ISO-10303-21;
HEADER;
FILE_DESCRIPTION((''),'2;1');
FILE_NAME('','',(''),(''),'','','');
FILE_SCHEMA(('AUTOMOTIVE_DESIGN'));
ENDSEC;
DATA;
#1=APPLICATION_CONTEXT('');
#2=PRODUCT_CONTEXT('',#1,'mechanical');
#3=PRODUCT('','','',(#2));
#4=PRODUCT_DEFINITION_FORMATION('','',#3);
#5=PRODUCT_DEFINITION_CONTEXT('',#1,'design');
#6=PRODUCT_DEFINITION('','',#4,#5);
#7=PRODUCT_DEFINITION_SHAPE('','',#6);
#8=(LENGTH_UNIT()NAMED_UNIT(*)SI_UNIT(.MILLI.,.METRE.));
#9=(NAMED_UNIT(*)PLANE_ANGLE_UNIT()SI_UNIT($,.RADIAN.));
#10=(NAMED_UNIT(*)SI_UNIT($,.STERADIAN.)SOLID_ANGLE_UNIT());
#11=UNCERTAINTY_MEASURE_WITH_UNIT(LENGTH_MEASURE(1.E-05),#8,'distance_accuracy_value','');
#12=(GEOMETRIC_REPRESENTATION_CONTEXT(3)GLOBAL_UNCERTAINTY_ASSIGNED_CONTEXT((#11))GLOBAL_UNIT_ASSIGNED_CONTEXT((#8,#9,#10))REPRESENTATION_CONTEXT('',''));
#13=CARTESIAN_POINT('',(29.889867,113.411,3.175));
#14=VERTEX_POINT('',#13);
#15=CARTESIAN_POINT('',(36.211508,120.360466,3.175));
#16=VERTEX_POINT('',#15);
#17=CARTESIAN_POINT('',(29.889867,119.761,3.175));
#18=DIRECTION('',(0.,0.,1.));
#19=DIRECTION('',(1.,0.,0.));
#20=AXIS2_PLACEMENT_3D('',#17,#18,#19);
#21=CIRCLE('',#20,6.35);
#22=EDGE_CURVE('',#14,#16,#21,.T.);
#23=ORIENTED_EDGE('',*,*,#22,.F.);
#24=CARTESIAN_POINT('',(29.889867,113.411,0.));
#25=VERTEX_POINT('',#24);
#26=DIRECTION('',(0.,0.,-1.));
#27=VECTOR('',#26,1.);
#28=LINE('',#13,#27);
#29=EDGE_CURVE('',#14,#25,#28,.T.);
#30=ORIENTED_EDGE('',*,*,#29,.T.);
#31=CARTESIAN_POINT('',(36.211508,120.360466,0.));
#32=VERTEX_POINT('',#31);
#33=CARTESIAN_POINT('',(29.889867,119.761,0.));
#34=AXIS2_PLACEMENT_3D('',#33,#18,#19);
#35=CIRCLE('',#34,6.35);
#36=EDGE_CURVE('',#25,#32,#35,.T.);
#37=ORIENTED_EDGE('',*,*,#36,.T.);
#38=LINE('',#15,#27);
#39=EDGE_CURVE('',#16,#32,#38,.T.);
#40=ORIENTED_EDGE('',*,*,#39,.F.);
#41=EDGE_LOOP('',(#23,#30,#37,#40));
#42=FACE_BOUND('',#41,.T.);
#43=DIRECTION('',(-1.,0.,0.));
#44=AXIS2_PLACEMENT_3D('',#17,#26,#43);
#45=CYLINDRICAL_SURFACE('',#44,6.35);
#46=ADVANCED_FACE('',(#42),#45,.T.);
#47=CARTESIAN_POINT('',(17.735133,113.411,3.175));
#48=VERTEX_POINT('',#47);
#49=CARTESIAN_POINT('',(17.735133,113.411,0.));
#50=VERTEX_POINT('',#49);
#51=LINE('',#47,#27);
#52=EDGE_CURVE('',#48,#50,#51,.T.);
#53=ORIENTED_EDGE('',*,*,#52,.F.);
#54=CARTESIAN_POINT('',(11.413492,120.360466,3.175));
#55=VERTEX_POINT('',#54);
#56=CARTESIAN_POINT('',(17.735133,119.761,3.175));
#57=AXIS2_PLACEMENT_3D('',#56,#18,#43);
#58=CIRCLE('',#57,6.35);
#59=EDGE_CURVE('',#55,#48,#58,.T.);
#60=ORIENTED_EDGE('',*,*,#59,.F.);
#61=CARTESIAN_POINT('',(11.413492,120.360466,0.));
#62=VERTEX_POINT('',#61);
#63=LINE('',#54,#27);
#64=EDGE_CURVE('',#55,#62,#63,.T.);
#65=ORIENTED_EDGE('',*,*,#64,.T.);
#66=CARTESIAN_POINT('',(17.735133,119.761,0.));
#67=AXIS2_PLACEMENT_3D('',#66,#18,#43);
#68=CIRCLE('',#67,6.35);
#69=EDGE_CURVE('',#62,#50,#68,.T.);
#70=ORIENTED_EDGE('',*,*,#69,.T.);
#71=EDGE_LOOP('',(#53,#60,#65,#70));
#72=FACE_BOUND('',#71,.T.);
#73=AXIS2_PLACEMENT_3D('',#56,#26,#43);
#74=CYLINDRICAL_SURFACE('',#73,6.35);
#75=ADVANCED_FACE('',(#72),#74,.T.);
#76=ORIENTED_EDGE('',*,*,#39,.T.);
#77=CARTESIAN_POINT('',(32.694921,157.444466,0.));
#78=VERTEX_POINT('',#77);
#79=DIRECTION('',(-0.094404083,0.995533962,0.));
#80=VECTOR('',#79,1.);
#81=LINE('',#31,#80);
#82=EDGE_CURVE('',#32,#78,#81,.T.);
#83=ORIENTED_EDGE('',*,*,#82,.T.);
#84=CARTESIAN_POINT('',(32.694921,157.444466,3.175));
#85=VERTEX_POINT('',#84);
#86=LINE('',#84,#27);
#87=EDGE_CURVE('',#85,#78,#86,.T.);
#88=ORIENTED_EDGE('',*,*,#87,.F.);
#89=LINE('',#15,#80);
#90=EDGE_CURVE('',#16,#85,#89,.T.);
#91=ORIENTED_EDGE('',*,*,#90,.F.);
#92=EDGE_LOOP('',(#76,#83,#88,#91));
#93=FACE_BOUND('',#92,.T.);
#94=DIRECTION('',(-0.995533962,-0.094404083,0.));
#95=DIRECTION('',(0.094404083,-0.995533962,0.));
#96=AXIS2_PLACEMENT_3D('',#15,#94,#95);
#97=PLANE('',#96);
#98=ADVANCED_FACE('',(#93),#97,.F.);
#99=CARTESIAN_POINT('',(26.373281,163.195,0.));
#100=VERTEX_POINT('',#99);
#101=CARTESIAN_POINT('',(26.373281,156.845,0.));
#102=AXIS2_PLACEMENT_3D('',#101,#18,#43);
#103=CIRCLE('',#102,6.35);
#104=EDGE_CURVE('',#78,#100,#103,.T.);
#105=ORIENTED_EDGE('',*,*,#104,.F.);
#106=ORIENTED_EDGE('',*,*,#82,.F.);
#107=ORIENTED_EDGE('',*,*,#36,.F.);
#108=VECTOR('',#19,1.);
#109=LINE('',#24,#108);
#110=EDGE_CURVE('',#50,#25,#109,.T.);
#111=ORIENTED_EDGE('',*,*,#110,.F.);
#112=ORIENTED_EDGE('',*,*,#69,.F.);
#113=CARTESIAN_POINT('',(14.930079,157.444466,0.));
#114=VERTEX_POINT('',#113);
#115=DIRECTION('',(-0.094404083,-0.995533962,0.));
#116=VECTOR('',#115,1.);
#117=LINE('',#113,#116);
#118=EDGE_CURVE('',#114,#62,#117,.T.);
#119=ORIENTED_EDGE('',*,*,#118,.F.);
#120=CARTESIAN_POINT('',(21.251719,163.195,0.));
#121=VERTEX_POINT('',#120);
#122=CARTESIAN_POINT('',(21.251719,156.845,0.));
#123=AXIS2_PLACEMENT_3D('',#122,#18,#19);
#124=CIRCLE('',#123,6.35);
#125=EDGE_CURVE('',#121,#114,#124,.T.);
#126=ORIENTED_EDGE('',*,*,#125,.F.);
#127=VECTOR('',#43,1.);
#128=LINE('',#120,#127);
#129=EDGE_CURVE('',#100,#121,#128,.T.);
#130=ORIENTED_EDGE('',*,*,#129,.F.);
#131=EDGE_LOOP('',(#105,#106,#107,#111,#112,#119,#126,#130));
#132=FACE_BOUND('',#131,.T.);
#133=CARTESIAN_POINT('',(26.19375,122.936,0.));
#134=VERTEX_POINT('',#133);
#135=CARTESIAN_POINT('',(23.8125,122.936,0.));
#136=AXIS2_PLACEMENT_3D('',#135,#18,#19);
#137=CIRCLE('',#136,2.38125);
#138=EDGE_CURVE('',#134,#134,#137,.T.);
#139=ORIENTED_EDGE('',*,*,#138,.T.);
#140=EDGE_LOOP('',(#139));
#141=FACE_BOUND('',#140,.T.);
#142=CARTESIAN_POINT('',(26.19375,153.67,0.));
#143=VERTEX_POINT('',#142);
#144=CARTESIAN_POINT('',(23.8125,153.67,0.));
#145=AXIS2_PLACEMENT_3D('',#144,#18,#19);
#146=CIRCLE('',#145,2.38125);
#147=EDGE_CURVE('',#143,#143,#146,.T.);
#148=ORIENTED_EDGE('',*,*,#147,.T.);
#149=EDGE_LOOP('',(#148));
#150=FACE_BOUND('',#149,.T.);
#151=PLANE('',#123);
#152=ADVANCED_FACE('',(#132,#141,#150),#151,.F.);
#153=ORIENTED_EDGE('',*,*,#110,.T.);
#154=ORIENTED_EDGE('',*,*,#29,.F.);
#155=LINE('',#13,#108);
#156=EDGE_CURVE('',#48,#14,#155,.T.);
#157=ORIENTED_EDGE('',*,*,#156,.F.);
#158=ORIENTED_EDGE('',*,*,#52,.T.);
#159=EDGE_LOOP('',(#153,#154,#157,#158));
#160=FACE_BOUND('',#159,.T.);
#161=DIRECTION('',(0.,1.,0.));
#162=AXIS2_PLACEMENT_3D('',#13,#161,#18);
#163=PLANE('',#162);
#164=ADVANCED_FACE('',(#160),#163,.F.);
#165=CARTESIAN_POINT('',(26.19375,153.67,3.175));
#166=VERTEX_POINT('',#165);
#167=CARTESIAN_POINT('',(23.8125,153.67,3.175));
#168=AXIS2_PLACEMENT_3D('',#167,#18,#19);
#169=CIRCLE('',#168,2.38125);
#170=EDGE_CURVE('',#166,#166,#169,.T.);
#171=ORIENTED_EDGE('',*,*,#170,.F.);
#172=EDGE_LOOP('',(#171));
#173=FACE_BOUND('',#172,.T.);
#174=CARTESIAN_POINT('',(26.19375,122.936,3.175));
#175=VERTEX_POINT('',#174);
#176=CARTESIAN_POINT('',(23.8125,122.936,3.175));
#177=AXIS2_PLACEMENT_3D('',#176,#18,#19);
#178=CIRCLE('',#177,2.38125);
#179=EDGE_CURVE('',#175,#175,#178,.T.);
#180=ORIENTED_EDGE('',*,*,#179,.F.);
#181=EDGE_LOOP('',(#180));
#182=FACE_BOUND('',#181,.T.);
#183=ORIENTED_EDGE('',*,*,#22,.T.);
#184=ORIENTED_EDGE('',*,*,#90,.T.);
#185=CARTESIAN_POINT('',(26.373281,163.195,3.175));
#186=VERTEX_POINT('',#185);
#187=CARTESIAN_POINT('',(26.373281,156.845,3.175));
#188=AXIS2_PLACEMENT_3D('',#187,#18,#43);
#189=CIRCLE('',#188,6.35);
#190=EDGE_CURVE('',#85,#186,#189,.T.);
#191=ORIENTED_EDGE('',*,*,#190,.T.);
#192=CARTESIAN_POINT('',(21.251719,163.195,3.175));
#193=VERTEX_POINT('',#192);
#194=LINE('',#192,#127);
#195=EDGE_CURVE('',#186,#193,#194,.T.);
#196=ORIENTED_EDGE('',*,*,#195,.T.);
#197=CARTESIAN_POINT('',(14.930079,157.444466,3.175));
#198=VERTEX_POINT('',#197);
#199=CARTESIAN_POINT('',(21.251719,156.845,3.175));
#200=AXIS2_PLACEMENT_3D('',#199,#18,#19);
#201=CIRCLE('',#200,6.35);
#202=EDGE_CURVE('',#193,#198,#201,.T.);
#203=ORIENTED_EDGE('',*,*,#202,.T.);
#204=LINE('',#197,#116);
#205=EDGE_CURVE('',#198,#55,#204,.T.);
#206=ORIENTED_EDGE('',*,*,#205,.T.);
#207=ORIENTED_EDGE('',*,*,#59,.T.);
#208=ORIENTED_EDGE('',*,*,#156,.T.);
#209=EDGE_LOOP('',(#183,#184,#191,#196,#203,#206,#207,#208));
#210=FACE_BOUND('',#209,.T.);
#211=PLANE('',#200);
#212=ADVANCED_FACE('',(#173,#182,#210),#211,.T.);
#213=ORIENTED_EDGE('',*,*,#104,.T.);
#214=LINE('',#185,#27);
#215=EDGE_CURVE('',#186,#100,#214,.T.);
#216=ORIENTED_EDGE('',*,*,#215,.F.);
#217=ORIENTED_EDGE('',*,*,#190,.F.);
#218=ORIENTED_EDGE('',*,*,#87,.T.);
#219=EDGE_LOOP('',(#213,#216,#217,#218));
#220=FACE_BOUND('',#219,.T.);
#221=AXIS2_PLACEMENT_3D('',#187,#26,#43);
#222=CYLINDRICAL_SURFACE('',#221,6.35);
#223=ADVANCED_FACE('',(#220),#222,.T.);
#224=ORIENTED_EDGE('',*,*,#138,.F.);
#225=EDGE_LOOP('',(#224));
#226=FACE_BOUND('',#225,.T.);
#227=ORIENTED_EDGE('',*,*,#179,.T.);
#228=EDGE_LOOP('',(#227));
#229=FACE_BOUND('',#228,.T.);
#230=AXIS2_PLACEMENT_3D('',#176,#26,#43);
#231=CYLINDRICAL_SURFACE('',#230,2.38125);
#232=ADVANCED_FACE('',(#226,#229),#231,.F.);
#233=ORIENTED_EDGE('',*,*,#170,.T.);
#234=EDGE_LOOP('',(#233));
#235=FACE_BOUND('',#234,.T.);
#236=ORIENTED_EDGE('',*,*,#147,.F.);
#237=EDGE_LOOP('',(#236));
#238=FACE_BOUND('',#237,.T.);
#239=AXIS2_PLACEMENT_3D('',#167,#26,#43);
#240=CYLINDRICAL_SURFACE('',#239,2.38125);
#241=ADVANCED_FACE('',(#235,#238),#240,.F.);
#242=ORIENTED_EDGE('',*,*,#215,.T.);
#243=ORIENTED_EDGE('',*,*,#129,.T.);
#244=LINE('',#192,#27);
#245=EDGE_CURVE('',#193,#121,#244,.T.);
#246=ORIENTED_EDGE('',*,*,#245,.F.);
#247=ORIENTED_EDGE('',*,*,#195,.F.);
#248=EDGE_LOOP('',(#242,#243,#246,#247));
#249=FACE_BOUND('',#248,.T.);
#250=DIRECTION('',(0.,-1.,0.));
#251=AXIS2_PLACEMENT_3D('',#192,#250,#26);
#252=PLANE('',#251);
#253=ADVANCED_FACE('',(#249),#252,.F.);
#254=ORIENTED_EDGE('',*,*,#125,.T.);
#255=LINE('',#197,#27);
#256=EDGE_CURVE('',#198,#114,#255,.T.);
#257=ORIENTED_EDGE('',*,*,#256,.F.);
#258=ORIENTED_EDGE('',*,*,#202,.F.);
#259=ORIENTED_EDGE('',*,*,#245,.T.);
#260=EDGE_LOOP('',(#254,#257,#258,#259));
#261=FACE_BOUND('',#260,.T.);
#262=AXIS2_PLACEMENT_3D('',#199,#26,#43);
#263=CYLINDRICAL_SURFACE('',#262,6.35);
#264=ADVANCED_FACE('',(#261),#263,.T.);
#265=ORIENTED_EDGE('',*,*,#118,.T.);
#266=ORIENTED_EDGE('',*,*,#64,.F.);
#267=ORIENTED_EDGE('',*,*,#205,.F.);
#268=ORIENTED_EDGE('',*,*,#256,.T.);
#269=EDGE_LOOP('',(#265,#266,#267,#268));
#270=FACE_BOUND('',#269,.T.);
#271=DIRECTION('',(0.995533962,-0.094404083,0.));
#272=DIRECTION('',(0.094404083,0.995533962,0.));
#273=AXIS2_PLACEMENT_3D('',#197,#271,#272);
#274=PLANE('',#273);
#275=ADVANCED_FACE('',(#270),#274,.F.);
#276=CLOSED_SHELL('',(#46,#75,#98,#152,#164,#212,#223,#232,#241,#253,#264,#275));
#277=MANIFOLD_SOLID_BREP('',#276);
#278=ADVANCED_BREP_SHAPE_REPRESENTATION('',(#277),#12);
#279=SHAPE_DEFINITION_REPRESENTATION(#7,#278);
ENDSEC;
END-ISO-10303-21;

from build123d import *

# Parameters (mm, degrees)
SKETCH1_R           = 2.38125
BOSS_EXTRUDE1_DEPTH = 3.175


with BuildPart() as part:
    # Sketch1 → Boss-Extrude1 (new body)
    with BuildSketch(Plane.XY):
        with BuildLine():
            Line((36.211507542, 120.360465924), (32.694921335, 157.444465924))
            ThreePointArc((32.694921335, 157.444465924), (30.646212421, 161.542292232), (26.373280677, 163.195))
            Line((26.373280677, 163.195), (21.251719323, 163.195))
            ThreePointArc((21.251719323, 163.195), (16.978787579, 161.542292232), (14.930078665, 157.444465924))
            Line((14.930078665, 157.444465924), (11.413492458, 120.360465924))
            ThreePointArc((11.413492458, 120.360465924), (13.037840884, 115.488068256), (17.735133116, 113.411))
            Line((17.735133116, 113.411), (29.889866884, 113.411))
            ThreePointArc((29.889866884, 113.411), (34.587159116, 115.488068256), (36.211507542, 120.360465924))
        make_face()
        with Locations((23.8125, 122.936)):
            Circle(SKETCH1_R, mode=Mode.SUBTRACT)
        with Locations((23.8125, 153.67)):
            Circle(SKETCH1_R, mode=Mode.SUBTRACT)
    extrude(amount=BOSS_EXTRUDE1_DEPTH)


solid = part.part
